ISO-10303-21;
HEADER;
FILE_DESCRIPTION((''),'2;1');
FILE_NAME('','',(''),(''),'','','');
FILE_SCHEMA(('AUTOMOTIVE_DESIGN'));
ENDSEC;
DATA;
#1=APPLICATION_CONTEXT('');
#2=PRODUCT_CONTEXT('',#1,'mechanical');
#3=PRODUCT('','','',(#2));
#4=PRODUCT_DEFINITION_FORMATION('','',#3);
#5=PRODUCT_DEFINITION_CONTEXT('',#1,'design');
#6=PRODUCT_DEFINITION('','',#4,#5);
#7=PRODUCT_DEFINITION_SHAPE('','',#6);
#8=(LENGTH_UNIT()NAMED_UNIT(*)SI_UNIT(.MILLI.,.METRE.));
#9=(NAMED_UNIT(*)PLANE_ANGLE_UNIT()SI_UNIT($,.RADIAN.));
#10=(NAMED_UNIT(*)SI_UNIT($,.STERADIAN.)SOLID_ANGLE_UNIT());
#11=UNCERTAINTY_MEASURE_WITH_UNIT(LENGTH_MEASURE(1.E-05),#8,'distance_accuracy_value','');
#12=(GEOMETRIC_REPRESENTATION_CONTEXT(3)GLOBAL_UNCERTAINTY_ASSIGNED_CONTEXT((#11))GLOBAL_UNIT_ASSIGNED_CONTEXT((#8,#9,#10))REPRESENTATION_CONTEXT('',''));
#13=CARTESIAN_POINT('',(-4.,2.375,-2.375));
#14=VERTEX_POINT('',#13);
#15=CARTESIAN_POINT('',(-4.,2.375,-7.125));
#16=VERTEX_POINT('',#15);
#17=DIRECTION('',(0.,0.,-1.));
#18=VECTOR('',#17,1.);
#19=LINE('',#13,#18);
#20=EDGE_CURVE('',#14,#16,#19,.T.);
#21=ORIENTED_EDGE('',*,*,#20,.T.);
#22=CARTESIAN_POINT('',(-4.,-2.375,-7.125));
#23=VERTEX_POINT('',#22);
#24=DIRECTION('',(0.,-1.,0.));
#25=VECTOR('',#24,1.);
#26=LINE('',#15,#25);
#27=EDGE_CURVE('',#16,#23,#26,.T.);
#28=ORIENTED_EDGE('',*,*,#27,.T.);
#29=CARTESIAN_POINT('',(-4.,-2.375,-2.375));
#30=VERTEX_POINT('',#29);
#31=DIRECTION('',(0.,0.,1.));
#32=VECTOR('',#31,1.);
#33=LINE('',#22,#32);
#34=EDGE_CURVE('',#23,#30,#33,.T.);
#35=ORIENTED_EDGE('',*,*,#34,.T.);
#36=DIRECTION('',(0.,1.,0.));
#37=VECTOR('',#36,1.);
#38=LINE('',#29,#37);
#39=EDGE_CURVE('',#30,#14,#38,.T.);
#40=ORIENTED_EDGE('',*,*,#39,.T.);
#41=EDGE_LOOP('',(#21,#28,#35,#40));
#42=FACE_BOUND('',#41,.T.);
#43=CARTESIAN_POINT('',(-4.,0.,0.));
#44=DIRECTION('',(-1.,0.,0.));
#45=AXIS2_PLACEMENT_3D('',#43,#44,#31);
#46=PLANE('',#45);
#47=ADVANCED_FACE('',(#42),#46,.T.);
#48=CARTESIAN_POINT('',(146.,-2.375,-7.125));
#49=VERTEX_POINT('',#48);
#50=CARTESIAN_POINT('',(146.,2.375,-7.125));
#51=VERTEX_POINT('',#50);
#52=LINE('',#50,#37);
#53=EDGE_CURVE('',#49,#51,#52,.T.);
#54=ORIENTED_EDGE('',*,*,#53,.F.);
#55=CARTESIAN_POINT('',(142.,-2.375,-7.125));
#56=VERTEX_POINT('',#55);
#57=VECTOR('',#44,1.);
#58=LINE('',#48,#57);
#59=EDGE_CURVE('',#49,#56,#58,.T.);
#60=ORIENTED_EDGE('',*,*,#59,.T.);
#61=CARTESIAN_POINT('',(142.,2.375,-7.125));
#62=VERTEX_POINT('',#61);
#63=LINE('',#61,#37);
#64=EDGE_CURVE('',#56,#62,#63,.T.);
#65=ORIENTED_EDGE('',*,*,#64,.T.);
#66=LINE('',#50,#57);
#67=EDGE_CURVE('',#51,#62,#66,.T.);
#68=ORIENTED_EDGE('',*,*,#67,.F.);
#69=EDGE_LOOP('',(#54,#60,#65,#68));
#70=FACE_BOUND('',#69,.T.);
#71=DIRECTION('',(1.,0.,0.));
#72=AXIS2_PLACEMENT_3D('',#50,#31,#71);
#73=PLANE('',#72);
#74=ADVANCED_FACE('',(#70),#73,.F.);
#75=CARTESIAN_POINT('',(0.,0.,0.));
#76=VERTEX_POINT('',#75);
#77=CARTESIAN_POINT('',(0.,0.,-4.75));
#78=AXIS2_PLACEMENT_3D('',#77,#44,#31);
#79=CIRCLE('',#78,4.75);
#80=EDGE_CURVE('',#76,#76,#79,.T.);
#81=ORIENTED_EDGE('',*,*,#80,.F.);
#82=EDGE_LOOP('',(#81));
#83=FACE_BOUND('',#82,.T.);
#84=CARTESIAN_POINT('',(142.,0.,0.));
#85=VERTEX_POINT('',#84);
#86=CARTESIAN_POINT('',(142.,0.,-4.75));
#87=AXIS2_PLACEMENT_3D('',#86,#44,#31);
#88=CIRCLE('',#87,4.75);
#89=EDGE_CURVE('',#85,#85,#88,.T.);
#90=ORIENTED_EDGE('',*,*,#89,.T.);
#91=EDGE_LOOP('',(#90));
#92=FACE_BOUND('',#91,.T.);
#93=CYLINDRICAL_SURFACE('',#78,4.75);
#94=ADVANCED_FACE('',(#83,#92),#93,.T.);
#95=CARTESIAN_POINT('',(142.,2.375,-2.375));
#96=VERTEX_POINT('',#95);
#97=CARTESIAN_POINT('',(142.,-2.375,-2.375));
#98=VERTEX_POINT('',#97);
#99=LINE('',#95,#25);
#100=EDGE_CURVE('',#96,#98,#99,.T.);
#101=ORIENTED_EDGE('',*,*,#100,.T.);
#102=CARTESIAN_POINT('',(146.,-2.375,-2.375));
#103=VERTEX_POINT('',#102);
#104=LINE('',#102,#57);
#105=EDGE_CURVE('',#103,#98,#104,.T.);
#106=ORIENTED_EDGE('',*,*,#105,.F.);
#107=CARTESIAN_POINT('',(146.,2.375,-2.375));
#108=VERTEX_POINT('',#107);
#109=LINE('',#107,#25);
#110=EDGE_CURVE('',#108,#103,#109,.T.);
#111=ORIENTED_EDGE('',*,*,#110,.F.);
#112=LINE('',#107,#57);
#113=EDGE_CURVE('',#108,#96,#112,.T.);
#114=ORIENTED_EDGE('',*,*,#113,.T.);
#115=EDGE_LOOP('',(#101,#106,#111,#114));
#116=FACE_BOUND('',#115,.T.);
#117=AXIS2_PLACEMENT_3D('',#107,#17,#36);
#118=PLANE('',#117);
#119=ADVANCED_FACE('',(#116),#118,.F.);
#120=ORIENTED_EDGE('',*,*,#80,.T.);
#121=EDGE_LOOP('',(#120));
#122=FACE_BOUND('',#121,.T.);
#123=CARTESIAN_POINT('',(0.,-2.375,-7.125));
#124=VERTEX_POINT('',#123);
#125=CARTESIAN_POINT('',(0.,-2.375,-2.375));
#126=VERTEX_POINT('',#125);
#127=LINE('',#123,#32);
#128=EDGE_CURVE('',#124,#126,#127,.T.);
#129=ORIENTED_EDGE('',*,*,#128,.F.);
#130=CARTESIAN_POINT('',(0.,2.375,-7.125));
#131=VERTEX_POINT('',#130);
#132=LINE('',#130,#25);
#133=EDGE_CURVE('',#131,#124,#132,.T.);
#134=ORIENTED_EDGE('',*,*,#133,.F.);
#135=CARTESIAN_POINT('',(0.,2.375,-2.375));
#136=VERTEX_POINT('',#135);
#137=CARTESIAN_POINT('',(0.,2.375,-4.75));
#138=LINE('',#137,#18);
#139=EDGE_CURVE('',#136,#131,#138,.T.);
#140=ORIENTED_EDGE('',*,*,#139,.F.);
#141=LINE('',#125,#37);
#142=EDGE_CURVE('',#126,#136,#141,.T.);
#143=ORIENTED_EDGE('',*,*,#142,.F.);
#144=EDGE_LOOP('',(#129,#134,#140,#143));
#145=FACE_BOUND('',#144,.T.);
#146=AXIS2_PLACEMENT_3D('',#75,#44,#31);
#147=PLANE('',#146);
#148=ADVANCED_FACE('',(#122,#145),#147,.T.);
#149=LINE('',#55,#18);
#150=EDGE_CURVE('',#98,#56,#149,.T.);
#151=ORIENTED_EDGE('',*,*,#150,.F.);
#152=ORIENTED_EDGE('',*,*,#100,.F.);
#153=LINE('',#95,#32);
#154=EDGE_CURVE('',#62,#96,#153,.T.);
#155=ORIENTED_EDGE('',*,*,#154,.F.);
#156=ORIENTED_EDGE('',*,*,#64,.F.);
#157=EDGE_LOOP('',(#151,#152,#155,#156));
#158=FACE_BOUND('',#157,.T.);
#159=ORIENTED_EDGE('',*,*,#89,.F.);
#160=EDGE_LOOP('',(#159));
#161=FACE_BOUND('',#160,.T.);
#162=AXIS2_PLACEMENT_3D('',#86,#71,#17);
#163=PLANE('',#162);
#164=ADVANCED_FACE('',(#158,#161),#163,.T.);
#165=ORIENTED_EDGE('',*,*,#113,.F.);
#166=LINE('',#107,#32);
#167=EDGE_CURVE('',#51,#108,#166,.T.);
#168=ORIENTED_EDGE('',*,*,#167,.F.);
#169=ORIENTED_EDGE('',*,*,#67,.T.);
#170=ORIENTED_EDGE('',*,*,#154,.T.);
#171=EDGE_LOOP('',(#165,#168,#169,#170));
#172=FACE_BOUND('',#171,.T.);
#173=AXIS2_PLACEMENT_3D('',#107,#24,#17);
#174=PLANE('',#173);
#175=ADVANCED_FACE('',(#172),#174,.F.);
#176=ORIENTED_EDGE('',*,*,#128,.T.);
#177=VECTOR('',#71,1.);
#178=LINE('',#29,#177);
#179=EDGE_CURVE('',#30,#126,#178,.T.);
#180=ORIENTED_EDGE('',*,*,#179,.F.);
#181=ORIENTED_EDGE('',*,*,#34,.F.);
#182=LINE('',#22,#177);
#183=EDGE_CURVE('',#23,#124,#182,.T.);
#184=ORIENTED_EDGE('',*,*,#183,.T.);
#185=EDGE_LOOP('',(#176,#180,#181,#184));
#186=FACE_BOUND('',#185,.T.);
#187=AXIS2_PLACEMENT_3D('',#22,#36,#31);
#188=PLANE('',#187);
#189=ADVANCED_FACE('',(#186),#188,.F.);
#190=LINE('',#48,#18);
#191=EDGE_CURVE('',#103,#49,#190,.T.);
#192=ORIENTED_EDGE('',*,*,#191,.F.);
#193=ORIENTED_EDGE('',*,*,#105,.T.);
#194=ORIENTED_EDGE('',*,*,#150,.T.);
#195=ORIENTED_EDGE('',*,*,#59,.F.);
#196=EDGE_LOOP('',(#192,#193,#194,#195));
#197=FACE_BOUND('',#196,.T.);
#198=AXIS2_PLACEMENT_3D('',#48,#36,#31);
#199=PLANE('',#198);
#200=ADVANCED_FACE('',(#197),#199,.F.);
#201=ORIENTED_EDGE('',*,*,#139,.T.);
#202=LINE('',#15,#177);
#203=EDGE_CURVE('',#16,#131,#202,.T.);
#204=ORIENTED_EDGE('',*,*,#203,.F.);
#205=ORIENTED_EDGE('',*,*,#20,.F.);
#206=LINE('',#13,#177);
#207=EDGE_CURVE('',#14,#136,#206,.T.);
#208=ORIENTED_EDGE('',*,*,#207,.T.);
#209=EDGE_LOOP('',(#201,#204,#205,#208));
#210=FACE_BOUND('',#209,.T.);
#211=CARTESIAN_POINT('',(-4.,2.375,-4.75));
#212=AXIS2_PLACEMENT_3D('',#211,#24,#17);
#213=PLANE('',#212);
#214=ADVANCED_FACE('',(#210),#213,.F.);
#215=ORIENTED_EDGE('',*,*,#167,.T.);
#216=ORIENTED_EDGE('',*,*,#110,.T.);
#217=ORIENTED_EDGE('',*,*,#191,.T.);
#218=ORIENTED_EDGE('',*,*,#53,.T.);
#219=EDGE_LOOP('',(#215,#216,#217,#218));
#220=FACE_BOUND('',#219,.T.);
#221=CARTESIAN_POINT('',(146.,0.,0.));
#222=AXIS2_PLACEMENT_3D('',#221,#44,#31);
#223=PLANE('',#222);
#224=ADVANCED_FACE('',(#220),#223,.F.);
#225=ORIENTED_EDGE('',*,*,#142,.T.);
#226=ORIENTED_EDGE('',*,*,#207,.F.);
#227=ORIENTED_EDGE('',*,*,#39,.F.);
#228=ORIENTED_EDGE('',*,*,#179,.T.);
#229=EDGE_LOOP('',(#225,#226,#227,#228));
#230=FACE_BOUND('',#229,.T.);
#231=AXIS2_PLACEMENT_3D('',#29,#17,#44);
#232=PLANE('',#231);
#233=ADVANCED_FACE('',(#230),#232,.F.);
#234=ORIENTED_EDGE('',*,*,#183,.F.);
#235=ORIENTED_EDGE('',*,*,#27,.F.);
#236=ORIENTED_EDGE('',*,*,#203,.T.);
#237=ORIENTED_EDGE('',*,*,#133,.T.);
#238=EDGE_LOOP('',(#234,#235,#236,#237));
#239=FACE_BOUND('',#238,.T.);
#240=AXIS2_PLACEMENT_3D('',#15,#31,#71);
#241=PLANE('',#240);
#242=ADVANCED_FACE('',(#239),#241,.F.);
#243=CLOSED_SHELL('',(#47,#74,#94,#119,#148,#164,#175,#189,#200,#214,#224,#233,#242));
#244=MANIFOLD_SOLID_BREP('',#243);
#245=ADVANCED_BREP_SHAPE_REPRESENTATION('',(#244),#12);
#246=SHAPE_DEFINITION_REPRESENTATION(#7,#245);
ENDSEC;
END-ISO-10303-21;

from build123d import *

# Parameters (mm, degrees)
ESQUISSE5_W        = 4.75
ESQUISSE5_H        = 4.75
BOSS_EXTRU_3_DEPTH = 4
BOSS_EXTRU_4_DEPTH = 4


with BuildPart() as part:
    # Esquisse1 → Révolution1 (revolve)
    with BuildSketch(Plane(origin=(0, 0, 0), x_dir=(1, 0, 0), z_dir=(0, 1, 0))):
        Polygon((0, 0), (0, 4.75), (142, 4.75), (142, 0), (125.25, 0), (117.25, 0), (24.75, 0), (16.75, 0), align=None)
    revolve(axis=Axis((0, 0, -4.75), (1, 0, 0)))

    # Esquisse5 → Boss.-Extru.3 (add)
    with BuildSketch(Plane(origin=(142, 0, 0), x_dir=(0, 0, -1), z_dir=(1, 0, 0))):
        with Locations((4.75, 0)):
            Rectangle(ESQUISSE5_W, ESQUISSE5_H)
    extrude(amount=BOSS_EXTRU_3_DEPTH)

    # Esquisse6 → Boss.-Extru.4 (add)
    with BuildSketch(Plane.ZY):
        Polygon((-4.75, 2.375), (-7.125, 2.375), (-7.125, -2.375), (-2.375, -2.375), (-2.375, 2.375), align=None)
    extrude(amount=BOSS_EXTRU_4_DEPTH)


solid = part.part
